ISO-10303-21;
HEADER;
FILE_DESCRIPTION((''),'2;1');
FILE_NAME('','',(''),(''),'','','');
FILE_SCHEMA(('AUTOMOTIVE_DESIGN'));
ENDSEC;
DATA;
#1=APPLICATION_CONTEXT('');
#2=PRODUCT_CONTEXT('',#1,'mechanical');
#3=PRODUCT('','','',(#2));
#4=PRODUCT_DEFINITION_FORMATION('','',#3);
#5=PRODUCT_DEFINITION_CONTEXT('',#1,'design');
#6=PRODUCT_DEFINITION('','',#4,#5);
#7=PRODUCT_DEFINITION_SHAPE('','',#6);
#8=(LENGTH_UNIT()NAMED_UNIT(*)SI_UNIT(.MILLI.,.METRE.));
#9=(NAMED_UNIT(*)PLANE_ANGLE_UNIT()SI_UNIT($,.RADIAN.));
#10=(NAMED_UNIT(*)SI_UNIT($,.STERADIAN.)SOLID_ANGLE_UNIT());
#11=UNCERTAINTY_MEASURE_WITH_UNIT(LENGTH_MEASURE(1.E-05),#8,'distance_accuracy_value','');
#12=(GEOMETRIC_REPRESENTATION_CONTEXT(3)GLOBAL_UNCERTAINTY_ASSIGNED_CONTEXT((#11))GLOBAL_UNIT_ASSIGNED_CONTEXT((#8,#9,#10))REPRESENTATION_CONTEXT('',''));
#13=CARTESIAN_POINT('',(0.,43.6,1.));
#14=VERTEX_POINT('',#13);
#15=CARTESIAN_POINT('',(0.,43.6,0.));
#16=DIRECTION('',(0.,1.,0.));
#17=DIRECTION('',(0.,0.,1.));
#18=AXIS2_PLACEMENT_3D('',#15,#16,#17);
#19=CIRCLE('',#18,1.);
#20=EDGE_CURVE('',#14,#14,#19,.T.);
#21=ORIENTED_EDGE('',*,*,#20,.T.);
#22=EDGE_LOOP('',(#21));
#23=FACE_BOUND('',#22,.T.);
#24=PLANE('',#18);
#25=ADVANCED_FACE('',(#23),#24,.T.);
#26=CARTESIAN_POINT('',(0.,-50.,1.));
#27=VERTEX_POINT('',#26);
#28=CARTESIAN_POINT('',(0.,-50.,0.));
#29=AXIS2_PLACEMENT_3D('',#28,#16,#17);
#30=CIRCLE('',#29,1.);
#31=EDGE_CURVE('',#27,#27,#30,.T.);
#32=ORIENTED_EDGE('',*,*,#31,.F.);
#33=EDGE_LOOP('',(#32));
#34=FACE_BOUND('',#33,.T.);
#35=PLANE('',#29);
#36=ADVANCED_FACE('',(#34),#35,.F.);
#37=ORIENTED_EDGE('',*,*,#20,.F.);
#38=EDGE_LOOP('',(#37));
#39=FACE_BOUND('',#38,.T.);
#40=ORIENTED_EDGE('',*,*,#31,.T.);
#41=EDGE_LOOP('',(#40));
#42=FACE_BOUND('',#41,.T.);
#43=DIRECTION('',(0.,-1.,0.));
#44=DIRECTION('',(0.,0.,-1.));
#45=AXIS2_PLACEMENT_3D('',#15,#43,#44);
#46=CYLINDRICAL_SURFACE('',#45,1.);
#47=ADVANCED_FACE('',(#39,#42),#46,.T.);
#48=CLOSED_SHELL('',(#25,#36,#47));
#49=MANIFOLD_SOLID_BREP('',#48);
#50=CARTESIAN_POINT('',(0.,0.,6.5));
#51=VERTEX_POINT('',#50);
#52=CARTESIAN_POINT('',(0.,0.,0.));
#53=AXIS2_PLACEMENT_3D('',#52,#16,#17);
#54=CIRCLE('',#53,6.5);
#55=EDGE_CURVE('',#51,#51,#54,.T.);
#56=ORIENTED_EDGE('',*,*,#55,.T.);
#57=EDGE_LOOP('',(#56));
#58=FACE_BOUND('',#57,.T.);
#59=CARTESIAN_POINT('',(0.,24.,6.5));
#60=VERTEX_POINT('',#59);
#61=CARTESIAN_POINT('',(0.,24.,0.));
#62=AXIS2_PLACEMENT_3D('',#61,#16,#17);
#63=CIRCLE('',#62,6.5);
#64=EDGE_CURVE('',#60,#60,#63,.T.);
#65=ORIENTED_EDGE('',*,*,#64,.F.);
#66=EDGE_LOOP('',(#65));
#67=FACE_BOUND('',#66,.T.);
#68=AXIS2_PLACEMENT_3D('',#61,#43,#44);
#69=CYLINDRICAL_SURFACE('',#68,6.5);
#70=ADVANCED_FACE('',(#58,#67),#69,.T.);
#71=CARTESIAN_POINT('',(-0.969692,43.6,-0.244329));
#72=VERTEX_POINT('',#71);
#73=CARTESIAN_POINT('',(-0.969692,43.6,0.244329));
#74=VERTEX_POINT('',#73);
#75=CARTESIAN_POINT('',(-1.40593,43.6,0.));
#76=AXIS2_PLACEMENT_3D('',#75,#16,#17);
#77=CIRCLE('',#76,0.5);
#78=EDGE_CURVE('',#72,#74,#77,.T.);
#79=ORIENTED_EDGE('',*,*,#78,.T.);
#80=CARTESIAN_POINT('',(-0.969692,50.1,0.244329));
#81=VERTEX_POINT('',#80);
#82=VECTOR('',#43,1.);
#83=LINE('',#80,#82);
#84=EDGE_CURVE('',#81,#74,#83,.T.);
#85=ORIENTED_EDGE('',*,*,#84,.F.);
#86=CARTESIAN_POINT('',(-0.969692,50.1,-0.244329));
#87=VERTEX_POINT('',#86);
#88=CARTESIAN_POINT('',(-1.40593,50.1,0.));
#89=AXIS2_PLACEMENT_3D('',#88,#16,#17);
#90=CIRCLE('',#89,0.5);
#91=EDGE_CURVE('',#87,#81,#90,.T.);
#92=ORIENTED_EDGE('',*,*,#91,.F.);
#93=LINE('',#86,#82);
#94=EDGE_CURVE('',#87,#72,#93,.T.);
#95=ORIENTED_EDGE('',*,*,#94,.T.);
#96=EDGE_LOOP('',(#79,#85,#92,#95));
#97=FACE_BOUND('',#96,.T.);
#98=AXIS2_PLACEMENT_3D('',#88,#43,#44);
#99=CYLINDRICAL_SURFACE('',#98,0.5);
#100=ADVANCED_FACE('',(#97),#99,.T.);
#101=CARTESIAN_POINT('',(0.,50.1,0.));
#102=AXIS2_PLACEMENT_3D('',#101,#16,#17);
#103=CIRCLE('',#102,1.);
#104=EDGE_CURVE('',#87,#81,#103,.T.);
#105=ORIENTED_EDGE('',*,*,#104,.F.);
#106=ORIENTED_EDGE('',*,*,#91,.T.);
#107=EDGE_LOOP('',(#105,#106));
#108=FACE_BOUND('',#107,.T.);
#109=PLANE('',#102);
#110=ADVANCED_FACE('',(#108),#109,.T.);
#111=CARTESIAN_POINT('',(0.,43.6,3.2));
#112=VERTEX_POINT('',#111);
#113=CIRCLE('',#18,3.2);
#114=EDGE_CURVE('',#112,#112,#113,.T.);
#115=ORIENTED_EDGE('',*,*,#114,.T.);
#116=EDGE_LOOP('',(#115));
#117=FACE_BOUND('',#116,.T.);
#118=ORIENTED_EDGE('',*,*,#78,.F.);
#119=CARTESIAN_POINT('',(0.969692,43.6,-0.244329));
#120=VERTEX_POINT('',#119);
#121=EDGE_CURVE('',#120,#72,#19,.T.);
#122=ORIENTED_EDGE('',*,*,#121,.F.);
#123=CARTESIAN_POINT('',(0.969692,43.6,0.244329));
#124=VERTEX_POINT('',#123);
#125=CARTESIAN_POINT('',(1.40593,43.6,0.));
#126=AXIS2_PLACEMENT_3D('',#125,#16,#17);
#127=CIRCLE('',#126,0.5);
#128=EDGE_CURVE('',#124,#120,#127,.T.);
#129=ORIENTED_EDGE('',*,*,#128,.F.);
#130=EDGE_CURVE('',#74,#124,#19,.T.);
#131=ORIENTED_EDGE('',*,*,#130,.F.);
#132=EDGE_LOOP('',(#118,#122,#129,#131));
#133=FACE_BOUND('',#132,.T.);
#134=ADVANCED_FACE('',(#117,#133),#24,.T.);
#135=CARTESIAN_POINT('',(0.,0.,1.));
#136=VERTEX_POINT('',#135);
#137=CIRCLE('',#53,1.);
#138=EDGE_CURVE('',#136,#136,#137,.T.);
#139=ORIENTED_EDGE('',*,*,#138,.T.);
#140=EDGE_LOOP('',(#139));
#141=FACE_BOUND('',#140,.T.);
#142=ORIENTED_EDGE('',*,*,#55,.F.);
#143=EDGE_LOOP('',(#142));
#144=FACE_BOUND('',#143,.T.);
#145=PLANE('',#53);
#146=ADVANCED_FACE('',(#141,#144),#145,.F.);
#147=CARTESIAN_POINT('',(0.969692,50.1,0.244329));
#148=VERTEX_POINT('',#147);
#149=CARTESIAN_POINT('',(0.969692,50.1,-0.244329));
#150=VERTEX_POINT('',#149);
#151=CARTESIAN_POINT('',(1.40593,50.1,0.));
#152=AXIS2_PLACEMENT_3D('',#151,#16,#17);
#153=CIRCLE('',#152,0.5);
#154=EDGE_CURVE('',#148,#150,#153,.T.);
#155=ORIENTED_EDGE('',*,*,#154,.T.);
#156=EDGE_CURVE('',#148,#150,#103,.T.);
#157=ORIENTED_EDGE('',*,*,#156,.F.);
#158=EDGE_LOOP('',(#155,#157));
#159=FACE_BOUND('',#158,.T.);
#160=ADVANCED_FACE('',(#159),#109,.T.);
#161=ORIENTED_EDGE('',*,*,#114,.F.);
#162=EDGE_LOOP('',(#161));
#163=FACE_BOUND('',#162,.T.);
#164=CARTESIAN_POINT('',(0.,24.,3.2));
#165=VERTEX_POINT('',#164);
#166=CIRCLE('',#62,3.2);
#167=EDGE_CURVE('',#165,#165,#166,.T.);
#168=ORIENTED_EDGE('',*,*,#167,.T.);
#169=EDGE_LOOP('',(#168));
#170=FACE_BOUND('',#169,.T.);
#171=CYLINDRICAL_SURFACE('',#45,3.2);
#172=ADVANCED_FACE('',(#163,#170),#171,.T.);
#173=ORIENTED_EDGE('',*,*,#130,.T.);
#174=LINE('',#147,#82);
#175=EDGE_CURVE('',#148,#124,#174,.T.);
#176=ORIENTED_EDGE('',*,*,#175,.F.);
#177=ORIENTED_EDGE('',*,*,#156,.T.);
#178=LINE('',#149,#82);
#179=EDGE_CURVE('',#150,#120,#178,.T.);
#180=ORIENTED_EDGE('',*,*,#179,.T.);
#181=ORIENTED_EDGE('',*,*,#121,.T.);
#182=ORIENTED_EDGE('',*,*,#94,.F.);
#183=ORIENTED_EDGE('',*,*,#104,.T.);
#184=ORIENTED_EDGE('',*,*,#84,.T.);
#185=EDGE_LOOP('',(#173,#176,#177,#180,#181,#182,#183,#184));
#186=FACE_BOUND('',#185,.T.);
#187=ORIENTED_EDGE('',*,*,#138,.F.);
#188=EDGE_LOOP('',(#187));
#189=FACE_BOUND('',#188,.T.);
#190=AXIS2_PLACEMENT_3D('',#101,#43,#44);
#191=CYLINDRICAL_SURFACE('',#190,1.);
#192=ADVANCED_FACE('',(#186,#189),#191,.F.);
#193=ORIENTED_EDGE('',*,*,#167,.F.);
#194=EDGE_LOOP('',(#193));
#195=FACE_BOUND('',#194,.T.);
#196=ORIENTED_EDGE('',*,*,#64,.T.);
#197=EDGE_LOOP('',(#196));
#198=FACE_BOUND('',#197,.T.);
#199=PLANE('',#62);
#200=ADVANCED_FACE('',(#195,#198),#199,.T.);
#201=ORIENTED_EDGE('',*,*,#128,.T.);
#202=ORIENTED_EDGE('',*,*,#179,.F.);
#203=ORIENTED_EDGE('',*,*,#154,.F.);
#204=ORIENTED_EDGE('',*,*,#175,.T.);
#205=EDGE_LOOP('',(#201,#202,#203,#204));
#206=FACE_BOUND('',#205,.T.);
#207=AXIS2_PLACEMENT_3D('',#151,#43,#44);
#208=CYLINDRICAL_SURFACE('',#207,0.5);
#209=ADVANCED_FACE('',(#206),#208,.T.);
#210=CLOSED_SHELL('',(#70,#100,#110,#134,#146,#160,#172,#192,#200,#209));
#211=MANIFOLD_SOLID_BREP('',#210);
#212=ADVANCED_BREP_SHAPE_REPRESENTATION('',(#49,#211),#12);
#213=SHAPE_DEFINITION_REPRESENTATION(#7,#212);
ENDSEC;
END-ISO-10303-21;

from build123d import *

# Parameters (mm, degrees)
BOSS_EXTRUDE1_DEPTH      = 50.1
BOSS_EXTRUDE1_2_DEPTH    = 50.1
SKETCH1_3_R              = 3.2
BOSS_EXTRUDE2_DEPTH      = 43.6
SKETCH1_4_R              = 6.5
SKETCH1_4_R_2            = 3.2
BOSS_EXTRUDE3_DEPTH      = 24
BOSS_EXTRUDE4_DEPTH      = 43.6
BOSS_EXTRUDE4_DEPTH_BACK = 50
SKETCH1_5_R              = 1


with BuildPart() as part:
    # Sketch1 → Boss-Extrude1 (new body)
    with BuildSketch(Plane(origin=(0, 0, 0), x_dir=(1, 0, 0), z_dir=(0, 1, 0))):
        with BuildLine():
            ThreePointArc((0.96969231, -0.244329336), (1.905929832, 0), (0.96969231, 0.244329336))
            ThreePointArc((0.96969231, 0.244329336), (1, 0), (0.96969231, -0.244329336))
        make_face()
    extrude(amount=BOSS_EXTRUDE1_DEPTH)



with BuildPart() as body_2:
    # Sketch1 → Boss-Extrude1 2 (new body)
    with BuildSketch(Plane(origin=(0, 0, 0), x_dir=(1, 0, 0), z_dir=(0, 1, 0))):
        with BuildLine():
            ThreePointArc((-0.96969231, -0.244329336), (-1, 0), (-0.96969231, 0.244329336))
            ThreePointArc((-0.96969231, 0.244329336), (-1.905929832, 0), (-0.96969231, -0.244329336))
        make_face()
    extrude(amount=BOSS_EXTRUDE1_2_DEPTH)


with BuildPart() as part_1:
    add(part.part)

    add(body_2.part)  # Boss-Extrude2 merges body 2
    # Sketch1<3> → Boss-Extrude2 (add)
    with BuildSketch(Plane(origin=(0, 0, 0), x_dir=(1, 0, 0), z_dir=(0, 1, 0))):
        Circle(SKETCH1_3_R)
        with BuildLine():
            ThreePointArc((0.96969231, 0.244329336), (1.532185998, 0.483796838), (1.905929832, 0))
            ThreePointArc((1.905929832, 0), (1.532185998, -0.483796838), (0.96969231, -0.244329336))
            ThreePointArc((0.96969231, -0.244329336), (0, -1), (-0.96969231, -0.244329336))
            ThreePointArc((-0.96969231, -0.244329336), (-1.905929832, 0), (-0.96969231, 0.244329336))
            ThreePointArc((-0.96969231, 0.244329336), (0, 1), (0.96969231, 0.244329336))
        make_face(mode=Mode.SUBTRACT)
    extrude(amount=BOSS_EXTRUDE2_DEPTH)

    # Sketch1<4> → Boss-Extrude3 (add)
    with BuildSketch(Plane(origin=(0, 0, 0), x_dir=(1, 0, 0), z_dir=(0, 1, 0))):
        Circle(SKETCH1_4_R)
        Circle(SKETCH1_4_R_2, mode=Mode.SUBTRACT)
    extrude(amount=BOSS_EXTRUDE3_DEPTH)


with BuildPart() as body_2_2:
    # Sketch1<5> → Boss-Extrude4 (new, two sides: drawn at the far end of the back side and taken through both)
    with BuildSketch(Plane(origin=(0, 0, 0), x_dir=(1, 0, 0), z_dir=(0, 1, 0)).offset(-BOSS_EXTRUDE4_DEPTH_BACK)):
        Circle(SKETCH1_5_R)
    extrude(amount=BOSS_EXTRUDE4_DEPTH + BOSS_EXTRUDE4_DEPTH_BACK)


solid = Compound([part_1.part, body_2_2.part])
